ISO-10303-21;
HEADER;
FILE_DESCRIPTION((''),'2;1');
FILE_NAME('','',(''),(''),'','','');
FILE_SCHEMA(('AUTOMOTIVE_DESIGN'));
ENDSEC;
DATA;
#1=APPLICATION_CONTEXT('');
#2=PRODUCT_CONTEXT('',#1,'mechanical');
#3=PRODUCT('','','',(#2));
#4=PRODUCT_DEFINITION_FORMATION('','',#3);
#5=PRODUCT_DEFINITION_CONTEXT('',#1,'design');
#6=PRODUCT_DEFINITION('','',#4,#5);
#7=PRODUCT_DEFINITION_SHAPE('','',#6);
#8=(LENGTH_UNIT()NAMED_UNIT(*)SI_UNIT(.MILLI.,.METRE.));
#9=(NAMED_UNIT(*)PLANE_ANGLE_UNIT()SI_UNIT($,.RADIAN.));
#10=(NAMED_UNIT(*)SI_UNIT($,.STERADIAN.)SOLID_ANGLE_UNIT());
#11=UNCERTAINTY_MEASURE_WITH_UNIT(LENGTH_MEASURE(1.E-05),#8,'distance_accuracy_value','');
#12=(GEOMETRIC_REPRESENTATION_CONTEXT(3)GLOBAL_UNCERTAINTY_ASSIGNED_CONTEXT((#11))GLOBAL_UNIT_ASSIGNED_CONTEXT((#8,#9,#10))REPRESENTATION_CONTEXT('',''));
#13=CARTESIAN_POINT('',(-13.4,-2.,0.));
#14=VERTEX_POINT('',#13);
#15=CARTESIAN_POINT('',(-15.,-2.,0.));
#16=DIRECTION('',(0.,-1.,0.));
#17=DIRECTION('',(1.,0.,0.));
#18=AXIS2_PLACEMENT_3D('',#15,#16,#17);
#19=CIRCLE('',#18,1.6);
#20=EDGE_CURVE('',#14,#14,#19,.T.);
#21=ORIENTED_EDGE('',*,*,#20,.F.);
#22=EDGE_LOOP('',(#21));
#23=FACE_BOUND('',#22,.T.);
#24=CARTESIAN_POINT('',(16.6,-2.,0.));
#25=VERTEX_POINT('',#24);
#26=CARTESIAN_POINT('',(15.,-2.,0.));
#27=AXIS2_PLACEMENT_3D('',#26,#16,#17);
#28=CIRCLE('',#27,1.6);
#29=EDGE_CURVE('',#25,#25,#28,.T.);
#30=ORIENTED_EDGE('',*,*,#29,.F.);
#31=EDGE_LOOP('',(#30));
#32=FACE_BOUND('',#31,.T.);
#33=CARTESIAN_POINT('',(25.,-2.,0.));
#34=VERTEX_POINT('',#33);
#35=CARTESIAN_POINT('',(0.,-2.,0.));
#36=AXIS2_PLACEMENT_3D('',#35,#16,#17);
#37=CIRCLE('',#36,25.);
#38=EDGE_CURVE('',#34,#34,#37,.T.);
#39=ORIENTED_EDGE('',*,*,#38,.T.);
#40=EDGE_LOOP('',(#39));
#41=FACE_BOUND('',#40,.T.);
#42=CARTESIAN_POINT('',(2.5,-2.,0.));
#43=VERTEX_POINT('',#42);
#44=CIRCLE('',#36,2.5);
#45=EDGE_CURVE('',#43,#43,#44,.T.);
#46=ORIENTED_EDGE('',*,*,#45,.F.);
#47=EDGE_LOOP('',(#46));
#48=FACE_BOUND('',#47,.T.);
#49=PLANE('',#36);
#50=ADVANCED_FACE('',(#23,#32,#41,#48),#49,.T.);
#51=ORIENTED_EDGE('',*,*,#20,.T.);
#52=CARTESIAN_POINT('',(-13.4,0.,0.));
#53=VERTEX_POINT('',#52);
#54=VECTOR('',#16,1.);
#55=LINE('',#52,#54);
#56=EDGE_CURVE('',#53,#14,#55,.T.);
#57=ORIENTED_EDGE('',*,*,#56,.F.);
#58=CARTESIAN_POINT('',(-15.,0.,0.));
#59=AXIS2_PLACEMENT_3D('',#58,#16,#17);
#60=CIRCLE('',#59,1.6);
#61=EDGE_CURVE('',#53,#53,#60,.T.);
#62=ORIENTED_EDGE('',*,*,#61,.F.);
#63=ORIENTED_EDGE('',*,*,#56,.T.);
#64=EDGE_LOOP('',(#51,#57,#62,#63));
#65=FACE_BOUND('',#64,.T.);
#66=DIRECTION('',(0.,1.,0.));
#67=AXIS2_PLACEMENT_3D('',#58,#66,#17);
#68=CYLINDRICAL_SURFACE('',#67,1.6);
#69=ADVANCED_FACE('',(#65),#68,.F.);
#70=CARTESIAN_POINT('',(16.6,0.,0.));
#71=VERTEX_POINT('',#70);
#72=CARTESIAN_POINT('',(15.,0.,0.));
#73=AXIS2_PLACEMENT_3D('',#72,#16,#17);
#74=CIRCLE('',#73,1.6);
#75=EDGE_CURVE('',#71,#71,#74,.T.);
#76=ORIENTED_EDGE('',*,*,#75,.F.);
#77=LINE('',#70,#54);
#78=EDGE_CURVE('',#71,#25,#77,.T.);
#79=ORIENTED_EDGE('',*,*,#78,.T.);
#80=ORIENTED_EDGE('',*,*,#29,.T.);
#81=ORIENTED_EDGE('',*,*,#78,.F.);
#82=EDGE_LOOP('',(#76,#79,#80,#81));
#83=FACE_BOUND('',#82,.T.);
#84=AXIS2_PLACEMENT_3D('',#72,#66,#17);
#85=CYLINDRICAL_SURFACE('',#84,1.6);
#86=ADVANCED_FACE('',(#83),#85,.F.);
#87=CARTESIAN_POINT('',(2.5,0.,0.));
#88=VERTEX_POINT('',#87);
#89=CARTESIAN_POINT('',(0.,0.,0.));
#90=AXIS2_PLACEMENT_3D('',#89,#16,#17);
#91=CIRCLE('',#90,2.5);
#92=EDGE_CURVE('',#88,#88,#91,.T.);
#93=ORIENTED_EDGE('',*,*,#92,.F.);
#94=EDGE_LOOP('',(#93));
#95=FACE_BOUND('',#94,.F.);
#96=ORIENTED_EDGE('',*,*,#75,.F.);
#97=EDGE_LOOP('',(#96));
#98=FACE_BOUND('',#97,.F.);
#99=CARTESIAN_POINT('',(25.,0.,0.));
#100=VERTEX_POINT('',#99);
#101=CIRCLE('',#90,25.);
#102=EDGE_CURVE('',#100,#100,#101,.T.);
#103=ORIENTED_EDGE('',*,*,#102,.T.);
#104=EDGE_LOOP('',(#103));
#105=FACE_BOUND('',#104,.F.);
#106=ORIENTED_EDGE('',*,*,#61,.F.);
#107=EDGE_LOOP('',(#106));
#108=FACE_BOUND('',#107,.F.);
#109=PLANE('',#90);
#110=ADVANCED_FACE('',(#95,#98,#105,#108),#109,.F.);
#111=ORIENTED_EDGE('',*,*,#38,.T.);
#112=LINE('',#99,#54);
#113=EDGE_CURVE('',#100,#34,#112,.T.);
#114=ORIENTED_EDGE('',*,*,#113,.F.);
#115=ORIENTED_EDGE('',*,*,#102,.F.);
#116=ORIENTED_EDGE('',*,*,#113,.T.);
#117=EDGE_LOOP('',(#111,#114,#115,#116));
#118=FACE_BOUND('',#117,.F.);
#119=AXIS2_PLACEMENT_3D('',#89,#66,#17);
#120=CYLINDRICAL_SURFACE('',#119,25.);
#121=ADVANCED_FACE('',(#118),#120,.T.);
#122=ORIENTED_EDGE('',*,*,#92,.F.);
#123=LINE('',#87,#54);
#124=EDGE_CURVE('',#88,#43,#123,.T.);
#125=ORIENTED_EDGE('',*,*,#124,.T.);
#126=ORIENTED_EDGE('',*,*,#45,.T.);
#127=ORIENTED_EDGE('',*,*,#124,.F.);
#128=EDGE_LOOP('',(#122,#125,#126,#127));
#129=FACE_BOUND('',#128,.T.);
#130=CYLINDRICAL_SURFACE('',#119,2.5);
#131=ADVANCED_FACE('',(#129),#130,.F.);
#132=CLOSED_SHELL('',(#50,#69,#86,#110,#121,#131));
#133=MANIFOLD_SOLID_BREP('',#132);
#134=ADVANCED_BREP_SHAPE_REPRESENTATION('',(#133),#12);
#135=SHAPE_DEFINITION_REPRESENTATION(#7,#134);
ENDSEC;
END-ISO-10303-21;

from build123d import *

# Parameters (mm, degrees)
F0_R     = 25
F0_R_2   = 1.6
F0_R_3   = 2.5
F1_DEPTH = 2


with BuildPart() as f1:
    # F0 (on Front) → F1 (new body)
    with BuildSketch(Plane.XZ):
        Circle(F0_R)
        with Locations((-15, 0)):
            Circle(F0_R_2, mode=Mode.SUBTRACT)
        Circle(F0_R_3, mode=Mode.SUBTRACT)
        with Locations((15, 0)):
            Circle(F0_R_2, mode=Mode.SUBTRACT)
    extrude(amount=F1_DEPTH)


solid = f1.part
